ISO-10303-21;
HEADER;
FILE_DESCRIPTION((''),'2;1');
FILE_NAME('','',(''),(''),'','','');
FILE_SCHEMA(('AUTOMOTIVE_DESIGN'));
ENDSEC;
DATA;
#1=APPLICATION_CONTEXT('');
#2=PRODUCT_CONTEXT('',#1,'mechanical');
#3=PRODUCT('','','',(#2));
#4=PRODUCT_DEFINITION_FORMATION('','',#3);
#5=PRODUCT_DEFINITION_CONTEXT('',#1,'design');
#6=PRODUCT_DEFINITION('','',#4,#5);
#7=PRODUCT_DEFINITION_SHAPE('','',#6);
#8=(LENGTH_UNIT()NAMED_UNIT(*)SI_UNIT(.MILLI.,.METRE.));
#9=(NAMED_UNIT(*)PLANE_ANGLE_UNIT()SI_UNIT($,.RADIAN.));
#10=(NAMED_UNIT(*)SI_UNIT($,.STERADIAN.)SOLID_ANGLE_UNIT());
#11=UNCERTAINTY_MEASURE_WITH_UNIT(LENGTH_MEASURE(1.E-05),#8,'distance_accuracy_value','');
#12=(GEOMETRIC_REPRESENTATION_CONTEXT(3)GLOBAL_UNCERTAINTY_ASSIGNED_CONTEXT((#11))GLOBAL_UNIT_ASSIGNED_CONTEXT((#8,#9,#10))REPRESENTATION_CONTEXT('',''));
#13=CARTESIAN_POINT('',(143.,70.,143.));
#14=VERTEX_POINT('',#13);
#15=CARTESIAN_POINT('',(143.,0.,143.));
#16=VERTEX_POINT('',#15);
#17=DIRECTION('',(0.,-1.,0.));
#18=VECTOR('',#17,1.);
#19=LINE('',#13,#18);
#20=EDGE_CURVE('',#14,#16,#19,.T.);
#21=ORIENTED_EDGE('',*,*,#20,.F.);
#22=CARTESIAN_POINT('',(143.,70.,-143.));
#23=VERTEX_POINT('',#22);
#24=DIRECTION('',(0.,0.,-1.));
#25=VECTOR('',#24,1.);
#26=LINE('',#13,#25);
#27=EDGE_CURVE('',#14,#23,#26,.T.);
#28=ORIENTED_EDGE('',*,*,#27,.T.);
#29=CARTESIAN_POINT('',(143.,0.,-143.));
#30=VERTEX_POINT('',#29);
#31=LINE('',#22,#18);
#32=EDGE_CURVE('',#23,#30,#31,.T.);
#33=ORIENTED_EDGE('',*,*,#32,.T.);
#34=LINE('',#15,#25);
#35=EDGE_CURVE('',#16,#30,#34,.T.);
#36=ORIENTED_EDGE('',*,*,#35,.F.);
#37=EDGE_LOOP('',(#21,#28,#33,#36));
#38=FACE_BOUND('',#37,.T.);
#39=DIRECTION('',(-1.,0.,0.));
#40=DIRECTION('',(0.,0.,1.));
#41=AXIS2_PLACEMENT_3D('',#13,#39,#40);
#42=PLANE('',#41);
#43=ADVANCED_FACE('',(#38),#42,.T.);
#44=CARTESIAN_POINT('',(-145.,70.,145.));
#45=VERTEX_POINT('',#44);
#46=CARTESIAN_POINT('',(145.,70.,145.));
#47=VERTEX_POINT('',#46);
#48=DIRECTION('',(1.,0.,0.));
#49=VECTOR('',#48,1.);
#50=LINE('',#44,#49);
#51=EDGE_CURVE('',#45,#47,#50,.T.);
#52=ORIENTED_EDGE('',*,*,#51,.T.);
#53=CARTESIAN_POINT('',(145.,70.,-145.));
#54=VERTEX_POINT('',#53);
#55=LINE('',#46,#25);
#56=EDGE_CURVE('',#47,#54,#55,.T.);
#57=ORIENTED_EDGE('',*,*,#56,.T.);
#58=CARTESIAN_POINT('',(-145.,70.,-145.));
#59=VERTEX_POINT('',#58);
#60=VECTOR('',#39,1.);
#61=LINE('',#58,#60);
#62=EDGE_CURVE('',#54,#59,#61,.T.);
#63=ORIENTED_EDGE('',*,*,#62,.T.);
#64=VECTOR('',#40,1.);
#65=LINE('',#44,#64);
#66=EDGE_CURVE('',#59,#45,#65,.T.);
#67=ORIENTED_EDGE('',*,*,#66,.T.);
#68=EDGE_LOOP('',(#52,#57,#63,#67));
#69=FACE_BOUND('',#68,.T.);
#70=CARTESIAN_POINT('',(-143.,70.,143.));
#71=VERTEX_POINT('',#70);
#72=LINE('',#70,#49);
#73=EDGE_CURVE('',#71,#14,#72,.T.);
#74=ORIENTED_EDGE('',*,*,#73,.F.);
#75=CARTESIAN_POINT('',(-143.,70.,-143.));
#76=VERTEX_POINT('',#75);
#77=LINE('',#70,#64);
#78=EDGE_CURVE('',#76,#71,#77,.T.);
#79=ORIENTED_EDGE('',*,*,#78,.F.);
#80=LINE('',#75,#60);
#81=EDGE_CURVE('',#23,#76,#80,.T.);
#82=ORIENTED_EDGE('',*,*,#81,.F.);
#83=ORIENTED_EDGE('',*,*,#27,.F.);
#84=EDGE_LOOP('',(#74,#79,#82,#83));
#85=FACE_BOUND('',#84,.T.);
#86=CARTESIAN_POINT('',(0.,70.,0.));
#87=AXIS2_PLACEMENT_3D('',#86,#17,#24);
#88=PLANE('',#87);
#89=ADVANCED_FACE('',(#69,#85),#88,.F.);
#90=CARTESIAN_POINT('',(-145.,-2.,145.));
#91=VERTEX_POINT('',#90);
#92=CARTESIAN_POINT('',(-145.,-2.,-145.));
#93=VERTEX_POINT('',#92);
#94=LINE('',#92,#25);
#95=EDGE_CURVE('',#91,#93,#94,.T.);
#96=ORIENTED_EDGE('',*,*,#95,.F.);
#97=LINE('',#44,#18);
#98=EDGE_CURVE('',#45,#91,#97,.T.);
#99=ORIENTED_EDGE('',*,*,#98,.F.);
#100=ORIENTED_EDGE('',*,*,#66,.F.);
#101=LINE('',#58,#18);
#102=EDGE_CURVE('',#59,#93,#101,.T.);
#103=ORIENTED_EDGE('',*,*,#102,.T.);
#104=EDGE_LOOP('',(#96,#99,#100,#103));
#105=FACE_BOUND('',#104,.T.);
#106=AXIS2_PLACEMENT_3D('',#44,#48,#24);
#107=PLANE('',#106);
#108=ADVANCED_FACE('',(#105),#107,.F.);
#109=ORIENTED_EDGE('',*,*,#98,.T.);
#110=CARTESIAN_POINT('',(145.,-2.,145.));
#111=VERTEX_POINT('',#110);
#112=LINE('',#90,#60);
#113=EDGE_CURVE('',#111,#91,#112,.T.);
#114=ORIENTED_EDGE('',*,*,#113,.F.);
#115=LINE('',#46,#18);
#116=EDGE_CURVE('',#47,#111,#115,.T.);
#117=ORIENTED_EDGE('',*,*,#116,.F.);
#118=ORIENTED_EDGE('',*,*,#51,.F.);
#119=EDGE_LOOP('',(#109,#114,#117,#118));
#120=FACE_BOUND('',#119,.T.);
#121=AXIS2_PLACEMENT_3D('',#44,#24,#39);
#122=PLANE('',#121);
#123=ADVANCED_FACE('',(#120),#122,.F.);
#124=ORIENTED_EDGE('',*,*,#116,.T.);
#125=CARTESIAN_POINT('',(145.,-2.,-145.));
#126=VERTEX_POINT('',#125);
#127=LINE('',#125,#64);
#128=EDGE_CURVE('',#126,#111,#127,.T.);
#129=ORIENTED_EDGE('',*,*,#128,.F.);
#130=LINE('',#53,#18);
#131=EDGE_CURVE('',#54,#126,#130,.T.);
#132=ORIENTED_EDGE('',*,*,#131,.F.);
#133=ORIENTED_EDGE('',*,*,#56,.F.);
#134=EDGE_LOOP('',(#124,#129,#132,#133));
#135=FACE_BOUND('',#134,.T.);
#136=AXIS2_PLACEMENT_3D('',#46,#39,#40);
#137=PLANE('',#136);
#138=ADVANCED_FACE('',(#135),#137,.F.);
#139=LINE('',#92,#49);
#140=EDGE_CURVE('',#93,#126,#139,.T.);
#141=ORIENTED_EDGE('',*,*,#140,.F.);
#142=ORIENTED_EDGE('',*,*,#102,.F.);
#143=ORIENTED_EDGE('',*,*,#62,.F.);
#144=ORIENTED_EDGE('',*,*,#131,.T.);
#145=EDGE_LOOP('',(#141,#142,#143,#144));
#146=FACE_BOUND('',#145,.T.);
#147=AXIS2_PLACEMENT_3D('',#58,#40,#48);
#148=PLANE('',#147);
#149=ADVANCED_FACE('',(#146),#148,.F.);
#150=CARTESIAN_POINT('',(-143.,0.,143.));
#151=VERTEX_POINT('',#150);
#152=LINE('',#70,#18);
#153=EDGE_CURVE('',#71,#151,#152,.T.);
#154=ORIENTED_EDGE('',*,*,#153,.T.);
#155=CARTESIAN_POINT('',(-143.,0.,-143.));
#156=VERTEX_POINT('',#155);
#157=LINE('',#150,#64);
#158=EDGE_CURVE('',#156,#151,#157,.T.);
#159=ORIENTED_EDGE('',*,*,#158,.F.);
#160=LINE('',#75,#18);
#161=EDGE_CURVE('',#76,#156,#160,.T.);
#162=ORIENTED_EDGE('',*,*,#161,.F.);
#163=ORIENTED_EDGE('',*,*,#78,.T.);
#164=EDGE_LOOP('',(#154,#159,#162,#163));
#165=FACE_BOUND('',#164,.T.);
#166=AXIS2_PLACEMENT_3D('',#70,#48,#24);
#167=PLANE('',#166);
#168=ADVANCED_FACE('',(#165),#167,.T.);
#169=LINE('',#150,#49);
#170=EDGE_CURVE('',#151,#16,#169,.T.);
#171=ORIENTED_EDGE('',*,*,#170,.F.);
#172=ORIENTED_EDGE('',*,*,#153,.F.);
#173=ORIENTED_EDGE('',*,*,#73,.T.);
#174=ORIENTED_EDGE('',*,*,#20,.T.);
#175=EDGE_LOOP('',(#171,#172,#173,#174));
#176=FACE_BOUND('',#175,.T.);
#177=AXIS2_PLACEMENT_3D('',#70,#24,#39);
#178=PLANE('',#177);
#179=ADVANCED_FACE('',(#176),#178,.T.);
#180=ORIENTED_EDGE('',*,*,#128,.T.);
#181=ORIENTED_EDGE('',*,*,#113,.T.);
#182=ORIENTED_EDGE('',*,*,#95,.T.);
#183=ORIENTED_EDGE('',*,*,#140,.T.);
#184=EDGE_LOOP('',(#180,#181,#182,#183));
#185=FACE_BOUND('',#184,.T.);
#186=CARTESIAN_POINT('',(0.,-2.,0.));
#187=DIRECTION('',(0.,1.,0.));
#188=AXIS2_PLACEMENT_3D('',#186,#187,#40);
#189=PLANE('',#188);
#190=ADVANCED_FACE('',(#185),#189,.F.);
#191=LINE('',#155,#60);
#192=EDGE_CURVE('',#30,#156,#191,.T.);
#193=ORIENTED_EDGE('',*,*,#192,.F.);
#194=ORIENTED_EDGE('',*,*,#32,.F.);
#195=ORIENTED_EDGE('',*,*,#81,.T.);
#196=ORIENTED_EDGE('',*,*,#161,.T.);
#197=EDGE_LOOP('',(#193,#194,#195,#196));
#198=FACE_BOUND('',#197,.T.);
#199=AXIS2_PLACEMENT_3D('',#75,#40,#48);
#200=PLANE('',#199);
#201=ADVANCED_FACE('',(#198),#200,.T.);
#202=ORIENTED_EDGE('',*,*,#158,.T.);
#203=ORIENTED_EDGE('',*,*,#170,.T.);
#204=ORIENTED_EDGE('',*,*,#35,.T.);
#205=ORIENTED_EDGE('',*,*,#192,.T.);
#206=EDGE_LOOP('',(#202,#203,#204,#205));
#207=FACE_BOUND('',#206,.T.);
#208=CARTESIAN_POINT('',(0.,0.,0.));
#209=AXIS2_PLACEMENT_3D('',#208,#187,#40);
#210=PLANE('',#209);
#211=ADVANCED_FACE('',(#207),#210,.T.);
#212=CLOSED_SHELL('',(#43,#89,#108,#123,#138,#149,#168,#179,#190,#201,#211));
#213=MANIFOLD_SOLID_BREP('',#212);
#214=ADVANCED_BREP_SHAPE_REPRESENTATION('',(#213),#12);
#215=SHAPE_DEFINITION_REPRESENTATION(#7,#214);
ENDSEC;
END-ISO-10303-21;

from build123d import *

# Parameters (mm, degrees)
SKETCH1_W           = 290
SKETCH1_H           = 290
SKETCH1_W_2         = 286
SKETCH1_H_2         = 286
BOSS_EXTRUDE1_DEPTH = 70
SKETCH5_W           = 290
SKETCH5_H           = 290
BOSS_EXTRUDE3_DEPTH = 2


with BuildPart() as part:
    # Sketch1 → Boss-Extrude1 (new body)
    with BuildSketch(Plane(origin=(0, 0, 0), x_dir=(1, 0, 0), z_dir=(0, 1, 0))):
        Rectangle(SKETCH1_W, SKETCH1_H)
        Rectangle(SKETCH1_W_2, SKETCH1_H_2, mode=Mode.SUBTRACT)
    extrude(amount=BOSS_EXTRUDE1_DEPTH)

    # Sketch5 → Boss-Extrude3 (add)
    with BuildSketch(Plane(origin=(0, 0, 0), x_dir=(-1, 0, 0), z_dir=(0, -1, 0))):
        Rectangle(SKETCH5_W, SKETCH5_H)
    extrude(amount=BOSS_EXTRUDE3_DEPTH)


solid = part.part
